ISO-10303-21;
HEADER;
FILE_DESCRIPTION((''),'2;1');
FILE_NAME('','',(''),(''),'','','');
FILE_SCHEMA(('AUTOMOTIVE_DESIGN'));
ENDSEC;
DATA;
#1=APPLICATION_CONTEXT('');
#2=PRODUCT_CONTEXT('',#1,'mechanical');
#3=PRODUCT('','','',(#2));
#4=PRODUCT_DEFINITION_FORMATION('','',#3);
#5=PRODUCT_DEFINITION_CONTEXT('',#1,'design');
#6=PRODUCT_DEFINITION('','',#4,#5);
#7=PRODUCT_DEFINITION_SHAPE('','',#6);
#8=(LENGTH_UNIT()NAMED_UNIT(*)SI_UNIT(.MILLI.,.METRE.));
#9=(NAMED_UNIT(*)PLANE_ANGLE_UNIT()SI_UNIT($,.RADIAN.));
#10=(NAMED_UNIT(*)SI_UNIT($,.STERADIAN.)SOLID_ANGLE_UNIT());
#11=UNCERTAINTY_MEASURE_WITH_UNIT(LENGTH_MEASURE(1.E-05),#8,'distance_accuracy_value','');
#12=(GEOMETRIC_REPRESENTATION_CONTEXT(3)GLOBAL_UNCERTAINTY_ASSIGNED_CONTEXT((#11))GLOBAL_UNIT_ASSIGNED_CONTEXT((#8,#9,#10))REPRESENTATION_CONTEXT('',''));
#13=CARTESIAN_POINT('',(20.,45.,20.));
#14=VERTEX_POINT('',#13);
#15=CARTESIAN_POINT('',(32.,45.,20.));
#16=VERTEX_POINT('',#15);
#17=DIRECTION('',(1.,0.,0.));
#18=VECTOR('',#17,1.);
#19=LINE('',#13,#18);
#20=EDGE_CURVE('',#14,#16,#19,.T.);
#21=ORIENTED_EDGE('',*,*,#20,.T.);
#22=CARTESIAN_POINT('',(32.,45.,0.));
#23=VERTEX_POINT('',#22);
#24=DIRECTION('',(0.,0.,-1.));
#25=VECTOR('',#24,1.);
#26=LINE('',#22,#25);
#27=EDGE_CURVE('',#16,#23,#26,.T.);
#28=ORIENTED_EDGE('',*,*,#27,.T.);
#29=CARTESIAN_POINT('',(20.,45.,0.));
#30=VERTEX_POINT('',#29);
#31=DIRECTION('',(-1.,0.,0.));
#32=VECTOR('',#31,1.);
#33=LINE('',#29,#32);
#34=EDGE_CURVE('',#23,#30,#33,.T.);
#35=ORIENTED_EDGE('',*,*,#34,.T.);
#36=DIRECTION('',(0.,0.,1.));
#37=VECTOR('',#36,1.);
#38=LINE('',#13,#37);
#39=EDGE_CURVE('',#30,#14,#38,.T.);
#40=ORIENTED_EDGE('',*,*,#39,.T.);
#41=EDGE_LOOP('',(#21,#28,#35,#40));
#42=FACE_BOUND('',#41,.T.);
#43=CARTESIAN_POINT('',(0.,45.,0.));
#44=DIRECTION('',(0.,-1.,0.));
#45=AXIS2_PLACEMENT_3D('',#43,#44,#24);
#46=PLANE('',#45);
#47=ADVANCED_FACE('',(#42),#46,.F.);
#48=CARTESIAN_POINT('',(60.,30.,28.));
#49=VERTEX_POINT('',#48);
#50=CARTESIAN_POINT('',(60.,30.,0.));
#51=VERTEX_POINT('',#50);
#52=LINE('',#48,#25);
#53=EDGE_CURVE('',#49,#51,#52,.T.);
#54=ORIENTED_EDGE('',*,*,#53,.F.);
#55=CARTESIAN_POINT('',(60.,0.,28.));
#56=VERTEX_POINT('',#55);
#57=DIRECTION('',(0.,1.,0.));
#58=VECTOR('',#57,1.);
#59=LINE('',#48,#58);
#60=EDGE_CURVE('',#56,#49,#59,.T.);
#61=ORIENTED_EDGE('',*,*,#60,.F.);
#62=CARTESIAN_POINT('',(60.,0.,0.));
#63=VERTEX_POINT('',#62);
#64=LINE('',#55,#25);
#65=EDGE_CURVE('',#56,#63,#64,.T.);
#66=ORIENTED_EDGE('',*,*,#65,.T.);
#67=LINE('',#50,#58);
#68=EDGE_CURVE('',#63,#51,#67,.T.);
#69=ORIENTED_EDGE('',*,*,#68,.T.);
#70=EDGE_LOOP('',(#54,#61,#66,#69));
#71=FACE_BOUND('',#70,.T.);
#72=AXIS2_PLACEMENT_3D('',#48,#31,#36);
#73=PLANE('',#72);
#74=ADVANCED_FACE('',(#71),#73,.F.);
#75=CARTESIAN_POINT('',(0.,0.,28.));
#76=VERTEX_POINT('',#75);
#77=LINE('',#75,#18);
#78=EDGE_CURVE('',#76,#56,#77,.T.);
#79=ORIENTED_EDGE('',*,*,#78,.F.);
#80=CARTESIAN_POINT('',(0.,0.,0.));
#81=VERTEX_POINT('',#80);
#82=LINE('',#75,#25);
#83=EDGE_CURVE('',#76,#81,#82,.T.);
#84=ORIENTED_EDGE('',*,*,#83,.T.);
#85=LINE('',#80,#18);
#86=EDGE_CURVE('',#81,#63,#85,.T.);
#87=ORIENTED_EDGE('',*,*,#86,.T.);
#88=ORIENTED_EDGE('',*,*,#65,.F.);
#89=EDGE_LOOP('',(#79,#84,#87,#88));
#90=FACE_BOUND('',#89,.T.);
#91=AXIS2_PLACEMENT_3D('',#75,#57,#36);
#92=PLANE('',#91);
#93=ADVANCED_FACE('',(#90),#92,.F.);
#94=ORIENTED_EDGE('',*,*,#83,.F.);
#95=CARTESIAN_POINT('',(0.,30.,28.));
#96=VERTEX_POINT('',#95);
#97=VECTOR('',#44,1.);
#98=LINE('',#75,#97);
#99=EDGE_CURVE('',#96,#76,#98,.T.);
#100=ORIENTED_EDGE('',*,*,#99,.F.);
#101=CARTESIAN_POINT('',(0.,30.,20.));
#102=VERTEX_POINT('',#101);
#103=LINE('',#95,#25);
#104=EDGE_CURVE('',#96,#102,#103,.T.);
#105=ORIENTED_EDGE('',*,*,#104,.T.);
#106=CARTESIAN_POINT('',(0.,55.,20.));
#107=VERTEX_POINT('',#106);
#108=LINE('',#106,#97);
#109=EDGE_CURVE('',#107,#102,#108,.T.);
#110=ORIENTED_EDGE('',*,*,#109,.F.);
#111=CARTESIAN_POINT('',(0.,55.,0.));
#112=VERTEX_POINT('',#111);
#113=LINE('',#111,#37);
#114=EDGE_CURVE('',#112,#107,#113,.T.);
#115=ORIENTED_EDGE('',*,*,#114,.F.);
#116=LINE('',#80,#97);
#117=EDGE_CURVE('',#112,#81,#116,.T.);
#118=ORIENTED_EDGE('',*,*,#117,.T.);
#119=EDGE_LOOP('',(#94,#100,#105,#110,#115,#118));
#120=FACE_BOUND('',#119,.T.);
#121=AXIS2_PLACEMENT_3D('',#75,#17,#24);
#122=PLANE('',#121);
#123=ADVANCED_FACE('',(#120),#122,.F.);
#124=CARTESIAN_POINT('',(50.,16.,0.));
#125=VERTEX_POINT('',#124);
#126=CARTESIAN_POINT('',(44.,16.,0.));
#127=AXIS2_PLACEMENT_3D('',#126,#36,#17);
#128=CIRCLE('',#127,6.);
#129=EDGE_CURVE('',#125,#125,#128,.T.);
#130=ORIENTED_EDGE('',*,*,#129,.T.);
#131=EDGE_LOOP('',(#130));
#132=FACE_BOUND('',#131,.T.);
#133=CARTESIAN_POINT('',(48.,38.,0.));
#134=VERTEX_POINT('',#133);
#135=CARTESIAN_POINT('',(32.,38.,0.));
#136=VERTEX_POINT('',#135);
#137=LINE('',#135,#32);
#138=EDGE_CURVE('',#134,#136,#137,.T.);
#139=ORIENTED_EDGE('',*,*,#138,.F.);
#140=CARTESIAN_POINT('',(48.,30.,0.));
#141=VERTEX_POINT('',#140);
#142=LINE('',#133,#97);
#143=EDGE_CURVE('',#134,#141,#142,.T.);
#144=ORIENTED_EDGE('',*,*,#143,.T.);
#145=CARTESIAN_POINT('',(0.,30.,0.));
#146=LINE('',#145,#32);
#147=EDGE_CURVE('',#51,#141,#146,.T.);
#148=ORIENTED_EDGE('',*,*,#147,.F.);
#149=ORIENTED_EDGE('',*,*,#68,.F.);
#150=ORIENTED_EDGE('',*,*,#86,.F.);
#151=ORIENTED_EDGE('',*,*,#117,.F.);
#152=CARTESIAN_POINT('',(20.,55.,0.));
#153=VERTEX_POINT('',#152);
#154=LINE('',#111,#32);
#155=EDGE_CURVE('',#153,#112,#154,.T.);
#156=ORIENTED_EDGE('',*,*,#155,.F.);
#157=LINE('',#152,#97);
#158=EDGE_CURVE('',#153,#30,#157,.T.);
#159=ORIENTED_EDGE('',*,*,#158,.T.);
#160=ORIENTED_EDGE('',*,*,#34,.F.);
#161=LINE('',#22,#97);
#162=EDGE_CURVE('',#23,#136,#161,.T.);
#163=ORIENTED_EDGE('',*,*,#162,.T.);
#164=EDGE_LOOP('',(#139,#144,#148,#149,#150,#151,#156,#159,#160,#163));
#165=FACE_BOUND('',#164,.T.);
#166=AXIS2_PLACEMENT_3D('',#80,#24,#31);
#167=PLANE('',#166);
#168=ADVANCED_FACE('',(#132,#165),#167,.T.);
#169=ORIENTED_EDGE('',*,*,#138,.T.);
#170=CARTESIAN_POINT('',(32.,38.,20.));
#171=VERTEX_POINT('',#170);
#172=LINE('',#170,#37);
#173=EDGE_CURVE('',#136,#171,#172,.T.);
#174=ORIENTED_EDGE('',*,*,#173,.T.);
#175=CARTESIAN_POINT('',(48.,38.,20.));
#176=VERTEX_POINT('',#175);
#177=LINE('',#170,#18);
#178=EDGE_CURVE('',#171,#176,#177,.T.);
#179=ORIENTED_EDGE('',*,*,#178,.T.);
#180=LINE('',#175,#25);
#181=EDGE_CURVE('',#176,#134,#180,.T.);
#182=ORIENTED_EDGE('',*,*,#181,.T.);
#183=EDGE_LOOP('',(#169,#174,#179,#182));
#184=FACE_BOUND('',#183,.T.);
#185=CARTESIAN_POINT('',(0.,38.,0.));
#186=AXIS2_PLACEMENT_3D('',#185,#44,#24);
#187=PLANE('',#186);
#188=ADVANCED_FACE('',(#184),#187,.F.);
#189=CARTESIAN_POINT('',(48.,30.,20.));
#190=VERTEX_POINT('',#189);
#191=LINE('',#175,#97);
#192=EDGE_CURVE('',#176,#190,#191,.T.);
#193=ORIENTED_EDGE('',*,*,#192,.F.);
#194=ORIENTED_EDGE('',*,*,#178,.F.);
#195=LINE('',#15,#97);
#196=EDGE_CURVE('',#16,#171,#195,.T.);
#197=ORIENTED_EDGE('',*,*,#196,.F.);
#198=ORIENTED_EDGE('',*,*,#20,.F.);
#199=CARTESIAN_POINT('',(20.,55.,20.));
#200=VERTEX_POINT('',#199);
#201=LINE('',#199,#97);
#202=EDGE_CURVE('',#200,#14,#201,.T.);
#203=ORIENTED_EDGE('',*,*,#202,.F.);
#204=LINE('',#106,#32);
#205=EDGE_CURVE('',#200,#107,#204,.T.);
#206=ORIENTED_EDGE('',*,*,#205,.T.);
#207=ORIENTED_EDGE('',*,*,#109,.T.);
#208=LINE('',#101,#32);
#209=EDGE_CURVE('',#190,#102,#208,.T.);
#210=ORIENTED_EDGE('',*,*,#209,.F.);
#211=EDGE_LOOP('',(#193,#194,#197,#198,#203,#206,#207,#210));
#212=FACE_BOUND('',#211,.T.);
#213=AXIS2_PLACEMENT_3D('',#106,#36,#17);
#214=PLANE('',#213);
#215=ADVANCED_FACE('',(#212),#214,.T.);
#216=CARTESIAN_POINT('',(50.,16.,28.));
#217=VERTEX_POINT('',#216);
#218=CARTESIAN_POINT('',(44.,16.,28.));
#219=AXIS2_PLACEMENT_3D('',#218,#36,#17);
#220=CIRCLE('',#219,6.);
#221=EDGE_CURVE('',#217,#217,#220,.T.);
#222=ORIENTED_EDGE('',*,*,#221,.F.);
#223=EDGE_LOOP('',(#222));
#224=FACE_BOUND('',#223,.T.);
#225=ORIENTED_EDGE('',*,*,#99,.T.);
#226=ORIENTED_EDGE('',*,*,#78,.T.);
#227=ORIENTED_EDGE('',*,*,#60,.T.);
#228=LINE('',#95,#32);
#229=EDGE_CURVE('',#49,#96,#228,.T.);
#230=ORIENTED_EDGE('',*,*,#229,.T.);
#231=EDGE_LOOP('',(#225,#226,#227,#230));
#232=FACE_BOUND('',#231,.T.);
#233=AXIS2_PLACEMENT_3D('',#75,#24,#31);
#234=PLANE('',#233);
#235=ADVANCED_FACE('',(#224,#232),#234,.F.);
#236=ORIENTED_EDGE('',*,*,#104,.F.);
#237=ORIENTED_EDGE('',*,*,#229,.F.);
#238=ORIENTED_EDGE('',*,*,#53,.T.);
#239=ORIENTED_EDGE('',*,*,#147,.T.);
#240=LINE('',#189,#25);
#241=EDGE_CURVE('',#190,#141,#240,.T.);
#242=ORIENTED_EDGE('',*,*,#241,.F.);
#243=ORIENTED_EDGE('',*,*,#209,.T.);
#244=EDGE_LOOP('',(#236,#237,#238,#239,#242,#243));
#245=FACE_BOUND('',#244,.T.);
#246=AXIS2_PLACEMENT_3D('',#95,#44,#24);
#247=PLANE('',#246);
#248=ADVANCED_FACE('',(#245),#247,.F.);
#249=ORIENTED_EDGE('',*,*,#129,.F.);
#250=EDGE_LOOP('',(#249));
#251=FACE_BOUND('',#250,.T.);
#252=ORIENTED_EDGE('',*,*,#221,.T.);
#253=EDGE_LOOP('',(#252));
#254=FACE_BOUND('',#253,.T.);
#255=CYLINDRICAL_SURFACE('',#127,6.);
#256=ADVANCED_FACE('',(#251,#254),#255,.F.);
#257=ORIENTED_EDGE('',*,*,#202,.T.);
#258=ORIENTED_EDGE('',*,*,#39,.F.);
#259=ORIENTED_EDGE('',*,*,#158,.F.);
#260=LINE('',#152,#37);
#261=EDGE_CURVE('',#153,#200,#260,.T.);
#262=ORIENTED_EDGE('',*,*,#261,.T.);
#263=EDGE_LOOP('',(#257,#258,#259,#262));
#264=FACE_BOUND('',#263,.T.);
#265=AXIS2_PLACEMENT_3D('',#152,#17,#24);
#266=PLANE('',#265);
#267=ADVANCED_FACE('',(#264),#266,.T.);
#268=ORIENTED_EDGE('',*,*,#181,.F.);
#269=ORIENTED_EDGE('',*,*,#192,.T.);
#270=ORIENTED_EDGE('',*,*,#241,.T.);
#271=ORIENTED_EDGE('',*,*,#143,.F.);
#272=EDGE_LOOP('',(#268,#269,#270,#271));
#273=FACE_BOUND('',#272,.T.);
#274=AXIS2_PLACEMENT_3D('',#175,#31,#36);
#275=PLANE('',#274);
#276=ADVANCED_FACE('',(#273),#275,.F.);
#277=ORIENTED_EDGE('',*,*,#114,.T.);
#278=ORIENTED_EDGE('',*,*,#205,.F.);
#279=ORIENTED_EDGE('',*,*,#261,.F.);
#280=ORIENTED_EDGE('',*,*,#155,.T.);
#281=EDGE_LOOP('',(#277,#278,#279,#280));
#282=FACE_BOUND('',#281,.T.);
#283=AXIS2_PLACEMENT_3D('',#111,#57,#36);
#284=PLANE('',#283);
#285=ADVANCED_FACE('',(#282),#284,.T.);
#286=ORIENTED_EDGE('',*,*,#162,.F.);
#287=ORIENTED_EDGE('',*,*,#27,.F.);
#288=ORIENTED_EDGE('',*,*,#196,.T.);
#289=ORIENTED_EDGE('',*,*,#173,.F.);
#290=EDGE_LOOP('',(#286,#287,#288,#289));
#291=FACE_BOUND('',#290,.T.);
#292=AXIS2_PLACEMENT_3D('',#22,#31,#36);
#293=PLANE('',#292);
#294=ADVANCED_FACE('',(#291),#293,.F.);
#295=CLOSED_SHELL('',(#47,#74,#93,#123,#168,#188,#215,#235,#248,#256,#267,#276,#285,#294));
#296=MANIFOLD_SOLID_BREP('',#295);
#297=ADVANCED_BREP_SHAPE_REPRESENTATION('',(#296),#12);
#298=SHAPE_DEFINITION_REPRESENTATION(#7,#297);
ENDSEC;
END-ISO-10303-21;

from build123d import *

# Parameters (mm, degrees)
SKETCH1_W           = 60
SKETCH1_H           = 30
BOSS_EXTRUDE1_DEPTH = 28
SKETCH2_R           = 6
CUT_EXTRUDE1_DEPTH  = 28
SKETCH3_W           = 20
SKETCH3_H           = 20
BOSS_EXTRUDE3_DEPTH = 25
SKETCH5_W           = 12
SKETCH5_H           = 20
BOSS_EXTRUDE4_DEPTH = 15
SKETCH8_W           = 16
SKETCH8_H           = 20
BOSS_EXTRUDE5_DEPTH = 8


with BuildPart() as part:
    # Sketch1 → Boss-Extrude1 (new body)
    with BuildSketch(Plane.XY):
        with Locations((30, 15)):
            Rectangle(SKETCH1_W, SKETCH1_H)
    extrude(amount=BOSS_EXTRUDE1_DEPTH)

    # Sketch2 → Cut-Extrude1 (cut)
    with BuildSketch(Plane.XY.offset(28)):
        with Locations((44, 16)):
            Circle(SKETCH2_R)
    extrude(amount=-CUT_EXTRUDE1_DEPTH, mode=Mode.SUBTRACT)

    # Sketch3 → Boss-Extrude3 (add)
    with BuildSketch(Plane(origin=(0, 30, 0), x_dir=(1, 0, 0), z_dir=(0, 1, 0))):
        with Locations((10, -10)):
            Rectangle(SKETCH3_W, SKETCH3_H)
    extrude(amount=BOSS_EXTRUDE3_DEPTH)

    # Sketch5 → Boss-Extrude4 (add)
    with BuildSketch(Plane(origin=(0, 30, 0), x_dir=(1, 0, 0), z_dir=(0, 1, 0))):
        with Locations((26, -10)):
            Rectangle(SKETCH5_W, SKETCH5_H)
    extrude(amount=BOSS_EXTRUDE4_DEPTH)

    # Sketch8 → Boss-Extrude5 (add)
    with BuildSketch(Plane(origin=(0, 30, 0), x_dir=(1, 0, 0), z_dir=(0, 1, 0))):
        with Locations((40, -10)):
            Rectangle(SKETCH8_W, SKETCH8_H)
    extrude(amount=BOSS_EXTRUDE5_DEPTH)


solid = part.part
